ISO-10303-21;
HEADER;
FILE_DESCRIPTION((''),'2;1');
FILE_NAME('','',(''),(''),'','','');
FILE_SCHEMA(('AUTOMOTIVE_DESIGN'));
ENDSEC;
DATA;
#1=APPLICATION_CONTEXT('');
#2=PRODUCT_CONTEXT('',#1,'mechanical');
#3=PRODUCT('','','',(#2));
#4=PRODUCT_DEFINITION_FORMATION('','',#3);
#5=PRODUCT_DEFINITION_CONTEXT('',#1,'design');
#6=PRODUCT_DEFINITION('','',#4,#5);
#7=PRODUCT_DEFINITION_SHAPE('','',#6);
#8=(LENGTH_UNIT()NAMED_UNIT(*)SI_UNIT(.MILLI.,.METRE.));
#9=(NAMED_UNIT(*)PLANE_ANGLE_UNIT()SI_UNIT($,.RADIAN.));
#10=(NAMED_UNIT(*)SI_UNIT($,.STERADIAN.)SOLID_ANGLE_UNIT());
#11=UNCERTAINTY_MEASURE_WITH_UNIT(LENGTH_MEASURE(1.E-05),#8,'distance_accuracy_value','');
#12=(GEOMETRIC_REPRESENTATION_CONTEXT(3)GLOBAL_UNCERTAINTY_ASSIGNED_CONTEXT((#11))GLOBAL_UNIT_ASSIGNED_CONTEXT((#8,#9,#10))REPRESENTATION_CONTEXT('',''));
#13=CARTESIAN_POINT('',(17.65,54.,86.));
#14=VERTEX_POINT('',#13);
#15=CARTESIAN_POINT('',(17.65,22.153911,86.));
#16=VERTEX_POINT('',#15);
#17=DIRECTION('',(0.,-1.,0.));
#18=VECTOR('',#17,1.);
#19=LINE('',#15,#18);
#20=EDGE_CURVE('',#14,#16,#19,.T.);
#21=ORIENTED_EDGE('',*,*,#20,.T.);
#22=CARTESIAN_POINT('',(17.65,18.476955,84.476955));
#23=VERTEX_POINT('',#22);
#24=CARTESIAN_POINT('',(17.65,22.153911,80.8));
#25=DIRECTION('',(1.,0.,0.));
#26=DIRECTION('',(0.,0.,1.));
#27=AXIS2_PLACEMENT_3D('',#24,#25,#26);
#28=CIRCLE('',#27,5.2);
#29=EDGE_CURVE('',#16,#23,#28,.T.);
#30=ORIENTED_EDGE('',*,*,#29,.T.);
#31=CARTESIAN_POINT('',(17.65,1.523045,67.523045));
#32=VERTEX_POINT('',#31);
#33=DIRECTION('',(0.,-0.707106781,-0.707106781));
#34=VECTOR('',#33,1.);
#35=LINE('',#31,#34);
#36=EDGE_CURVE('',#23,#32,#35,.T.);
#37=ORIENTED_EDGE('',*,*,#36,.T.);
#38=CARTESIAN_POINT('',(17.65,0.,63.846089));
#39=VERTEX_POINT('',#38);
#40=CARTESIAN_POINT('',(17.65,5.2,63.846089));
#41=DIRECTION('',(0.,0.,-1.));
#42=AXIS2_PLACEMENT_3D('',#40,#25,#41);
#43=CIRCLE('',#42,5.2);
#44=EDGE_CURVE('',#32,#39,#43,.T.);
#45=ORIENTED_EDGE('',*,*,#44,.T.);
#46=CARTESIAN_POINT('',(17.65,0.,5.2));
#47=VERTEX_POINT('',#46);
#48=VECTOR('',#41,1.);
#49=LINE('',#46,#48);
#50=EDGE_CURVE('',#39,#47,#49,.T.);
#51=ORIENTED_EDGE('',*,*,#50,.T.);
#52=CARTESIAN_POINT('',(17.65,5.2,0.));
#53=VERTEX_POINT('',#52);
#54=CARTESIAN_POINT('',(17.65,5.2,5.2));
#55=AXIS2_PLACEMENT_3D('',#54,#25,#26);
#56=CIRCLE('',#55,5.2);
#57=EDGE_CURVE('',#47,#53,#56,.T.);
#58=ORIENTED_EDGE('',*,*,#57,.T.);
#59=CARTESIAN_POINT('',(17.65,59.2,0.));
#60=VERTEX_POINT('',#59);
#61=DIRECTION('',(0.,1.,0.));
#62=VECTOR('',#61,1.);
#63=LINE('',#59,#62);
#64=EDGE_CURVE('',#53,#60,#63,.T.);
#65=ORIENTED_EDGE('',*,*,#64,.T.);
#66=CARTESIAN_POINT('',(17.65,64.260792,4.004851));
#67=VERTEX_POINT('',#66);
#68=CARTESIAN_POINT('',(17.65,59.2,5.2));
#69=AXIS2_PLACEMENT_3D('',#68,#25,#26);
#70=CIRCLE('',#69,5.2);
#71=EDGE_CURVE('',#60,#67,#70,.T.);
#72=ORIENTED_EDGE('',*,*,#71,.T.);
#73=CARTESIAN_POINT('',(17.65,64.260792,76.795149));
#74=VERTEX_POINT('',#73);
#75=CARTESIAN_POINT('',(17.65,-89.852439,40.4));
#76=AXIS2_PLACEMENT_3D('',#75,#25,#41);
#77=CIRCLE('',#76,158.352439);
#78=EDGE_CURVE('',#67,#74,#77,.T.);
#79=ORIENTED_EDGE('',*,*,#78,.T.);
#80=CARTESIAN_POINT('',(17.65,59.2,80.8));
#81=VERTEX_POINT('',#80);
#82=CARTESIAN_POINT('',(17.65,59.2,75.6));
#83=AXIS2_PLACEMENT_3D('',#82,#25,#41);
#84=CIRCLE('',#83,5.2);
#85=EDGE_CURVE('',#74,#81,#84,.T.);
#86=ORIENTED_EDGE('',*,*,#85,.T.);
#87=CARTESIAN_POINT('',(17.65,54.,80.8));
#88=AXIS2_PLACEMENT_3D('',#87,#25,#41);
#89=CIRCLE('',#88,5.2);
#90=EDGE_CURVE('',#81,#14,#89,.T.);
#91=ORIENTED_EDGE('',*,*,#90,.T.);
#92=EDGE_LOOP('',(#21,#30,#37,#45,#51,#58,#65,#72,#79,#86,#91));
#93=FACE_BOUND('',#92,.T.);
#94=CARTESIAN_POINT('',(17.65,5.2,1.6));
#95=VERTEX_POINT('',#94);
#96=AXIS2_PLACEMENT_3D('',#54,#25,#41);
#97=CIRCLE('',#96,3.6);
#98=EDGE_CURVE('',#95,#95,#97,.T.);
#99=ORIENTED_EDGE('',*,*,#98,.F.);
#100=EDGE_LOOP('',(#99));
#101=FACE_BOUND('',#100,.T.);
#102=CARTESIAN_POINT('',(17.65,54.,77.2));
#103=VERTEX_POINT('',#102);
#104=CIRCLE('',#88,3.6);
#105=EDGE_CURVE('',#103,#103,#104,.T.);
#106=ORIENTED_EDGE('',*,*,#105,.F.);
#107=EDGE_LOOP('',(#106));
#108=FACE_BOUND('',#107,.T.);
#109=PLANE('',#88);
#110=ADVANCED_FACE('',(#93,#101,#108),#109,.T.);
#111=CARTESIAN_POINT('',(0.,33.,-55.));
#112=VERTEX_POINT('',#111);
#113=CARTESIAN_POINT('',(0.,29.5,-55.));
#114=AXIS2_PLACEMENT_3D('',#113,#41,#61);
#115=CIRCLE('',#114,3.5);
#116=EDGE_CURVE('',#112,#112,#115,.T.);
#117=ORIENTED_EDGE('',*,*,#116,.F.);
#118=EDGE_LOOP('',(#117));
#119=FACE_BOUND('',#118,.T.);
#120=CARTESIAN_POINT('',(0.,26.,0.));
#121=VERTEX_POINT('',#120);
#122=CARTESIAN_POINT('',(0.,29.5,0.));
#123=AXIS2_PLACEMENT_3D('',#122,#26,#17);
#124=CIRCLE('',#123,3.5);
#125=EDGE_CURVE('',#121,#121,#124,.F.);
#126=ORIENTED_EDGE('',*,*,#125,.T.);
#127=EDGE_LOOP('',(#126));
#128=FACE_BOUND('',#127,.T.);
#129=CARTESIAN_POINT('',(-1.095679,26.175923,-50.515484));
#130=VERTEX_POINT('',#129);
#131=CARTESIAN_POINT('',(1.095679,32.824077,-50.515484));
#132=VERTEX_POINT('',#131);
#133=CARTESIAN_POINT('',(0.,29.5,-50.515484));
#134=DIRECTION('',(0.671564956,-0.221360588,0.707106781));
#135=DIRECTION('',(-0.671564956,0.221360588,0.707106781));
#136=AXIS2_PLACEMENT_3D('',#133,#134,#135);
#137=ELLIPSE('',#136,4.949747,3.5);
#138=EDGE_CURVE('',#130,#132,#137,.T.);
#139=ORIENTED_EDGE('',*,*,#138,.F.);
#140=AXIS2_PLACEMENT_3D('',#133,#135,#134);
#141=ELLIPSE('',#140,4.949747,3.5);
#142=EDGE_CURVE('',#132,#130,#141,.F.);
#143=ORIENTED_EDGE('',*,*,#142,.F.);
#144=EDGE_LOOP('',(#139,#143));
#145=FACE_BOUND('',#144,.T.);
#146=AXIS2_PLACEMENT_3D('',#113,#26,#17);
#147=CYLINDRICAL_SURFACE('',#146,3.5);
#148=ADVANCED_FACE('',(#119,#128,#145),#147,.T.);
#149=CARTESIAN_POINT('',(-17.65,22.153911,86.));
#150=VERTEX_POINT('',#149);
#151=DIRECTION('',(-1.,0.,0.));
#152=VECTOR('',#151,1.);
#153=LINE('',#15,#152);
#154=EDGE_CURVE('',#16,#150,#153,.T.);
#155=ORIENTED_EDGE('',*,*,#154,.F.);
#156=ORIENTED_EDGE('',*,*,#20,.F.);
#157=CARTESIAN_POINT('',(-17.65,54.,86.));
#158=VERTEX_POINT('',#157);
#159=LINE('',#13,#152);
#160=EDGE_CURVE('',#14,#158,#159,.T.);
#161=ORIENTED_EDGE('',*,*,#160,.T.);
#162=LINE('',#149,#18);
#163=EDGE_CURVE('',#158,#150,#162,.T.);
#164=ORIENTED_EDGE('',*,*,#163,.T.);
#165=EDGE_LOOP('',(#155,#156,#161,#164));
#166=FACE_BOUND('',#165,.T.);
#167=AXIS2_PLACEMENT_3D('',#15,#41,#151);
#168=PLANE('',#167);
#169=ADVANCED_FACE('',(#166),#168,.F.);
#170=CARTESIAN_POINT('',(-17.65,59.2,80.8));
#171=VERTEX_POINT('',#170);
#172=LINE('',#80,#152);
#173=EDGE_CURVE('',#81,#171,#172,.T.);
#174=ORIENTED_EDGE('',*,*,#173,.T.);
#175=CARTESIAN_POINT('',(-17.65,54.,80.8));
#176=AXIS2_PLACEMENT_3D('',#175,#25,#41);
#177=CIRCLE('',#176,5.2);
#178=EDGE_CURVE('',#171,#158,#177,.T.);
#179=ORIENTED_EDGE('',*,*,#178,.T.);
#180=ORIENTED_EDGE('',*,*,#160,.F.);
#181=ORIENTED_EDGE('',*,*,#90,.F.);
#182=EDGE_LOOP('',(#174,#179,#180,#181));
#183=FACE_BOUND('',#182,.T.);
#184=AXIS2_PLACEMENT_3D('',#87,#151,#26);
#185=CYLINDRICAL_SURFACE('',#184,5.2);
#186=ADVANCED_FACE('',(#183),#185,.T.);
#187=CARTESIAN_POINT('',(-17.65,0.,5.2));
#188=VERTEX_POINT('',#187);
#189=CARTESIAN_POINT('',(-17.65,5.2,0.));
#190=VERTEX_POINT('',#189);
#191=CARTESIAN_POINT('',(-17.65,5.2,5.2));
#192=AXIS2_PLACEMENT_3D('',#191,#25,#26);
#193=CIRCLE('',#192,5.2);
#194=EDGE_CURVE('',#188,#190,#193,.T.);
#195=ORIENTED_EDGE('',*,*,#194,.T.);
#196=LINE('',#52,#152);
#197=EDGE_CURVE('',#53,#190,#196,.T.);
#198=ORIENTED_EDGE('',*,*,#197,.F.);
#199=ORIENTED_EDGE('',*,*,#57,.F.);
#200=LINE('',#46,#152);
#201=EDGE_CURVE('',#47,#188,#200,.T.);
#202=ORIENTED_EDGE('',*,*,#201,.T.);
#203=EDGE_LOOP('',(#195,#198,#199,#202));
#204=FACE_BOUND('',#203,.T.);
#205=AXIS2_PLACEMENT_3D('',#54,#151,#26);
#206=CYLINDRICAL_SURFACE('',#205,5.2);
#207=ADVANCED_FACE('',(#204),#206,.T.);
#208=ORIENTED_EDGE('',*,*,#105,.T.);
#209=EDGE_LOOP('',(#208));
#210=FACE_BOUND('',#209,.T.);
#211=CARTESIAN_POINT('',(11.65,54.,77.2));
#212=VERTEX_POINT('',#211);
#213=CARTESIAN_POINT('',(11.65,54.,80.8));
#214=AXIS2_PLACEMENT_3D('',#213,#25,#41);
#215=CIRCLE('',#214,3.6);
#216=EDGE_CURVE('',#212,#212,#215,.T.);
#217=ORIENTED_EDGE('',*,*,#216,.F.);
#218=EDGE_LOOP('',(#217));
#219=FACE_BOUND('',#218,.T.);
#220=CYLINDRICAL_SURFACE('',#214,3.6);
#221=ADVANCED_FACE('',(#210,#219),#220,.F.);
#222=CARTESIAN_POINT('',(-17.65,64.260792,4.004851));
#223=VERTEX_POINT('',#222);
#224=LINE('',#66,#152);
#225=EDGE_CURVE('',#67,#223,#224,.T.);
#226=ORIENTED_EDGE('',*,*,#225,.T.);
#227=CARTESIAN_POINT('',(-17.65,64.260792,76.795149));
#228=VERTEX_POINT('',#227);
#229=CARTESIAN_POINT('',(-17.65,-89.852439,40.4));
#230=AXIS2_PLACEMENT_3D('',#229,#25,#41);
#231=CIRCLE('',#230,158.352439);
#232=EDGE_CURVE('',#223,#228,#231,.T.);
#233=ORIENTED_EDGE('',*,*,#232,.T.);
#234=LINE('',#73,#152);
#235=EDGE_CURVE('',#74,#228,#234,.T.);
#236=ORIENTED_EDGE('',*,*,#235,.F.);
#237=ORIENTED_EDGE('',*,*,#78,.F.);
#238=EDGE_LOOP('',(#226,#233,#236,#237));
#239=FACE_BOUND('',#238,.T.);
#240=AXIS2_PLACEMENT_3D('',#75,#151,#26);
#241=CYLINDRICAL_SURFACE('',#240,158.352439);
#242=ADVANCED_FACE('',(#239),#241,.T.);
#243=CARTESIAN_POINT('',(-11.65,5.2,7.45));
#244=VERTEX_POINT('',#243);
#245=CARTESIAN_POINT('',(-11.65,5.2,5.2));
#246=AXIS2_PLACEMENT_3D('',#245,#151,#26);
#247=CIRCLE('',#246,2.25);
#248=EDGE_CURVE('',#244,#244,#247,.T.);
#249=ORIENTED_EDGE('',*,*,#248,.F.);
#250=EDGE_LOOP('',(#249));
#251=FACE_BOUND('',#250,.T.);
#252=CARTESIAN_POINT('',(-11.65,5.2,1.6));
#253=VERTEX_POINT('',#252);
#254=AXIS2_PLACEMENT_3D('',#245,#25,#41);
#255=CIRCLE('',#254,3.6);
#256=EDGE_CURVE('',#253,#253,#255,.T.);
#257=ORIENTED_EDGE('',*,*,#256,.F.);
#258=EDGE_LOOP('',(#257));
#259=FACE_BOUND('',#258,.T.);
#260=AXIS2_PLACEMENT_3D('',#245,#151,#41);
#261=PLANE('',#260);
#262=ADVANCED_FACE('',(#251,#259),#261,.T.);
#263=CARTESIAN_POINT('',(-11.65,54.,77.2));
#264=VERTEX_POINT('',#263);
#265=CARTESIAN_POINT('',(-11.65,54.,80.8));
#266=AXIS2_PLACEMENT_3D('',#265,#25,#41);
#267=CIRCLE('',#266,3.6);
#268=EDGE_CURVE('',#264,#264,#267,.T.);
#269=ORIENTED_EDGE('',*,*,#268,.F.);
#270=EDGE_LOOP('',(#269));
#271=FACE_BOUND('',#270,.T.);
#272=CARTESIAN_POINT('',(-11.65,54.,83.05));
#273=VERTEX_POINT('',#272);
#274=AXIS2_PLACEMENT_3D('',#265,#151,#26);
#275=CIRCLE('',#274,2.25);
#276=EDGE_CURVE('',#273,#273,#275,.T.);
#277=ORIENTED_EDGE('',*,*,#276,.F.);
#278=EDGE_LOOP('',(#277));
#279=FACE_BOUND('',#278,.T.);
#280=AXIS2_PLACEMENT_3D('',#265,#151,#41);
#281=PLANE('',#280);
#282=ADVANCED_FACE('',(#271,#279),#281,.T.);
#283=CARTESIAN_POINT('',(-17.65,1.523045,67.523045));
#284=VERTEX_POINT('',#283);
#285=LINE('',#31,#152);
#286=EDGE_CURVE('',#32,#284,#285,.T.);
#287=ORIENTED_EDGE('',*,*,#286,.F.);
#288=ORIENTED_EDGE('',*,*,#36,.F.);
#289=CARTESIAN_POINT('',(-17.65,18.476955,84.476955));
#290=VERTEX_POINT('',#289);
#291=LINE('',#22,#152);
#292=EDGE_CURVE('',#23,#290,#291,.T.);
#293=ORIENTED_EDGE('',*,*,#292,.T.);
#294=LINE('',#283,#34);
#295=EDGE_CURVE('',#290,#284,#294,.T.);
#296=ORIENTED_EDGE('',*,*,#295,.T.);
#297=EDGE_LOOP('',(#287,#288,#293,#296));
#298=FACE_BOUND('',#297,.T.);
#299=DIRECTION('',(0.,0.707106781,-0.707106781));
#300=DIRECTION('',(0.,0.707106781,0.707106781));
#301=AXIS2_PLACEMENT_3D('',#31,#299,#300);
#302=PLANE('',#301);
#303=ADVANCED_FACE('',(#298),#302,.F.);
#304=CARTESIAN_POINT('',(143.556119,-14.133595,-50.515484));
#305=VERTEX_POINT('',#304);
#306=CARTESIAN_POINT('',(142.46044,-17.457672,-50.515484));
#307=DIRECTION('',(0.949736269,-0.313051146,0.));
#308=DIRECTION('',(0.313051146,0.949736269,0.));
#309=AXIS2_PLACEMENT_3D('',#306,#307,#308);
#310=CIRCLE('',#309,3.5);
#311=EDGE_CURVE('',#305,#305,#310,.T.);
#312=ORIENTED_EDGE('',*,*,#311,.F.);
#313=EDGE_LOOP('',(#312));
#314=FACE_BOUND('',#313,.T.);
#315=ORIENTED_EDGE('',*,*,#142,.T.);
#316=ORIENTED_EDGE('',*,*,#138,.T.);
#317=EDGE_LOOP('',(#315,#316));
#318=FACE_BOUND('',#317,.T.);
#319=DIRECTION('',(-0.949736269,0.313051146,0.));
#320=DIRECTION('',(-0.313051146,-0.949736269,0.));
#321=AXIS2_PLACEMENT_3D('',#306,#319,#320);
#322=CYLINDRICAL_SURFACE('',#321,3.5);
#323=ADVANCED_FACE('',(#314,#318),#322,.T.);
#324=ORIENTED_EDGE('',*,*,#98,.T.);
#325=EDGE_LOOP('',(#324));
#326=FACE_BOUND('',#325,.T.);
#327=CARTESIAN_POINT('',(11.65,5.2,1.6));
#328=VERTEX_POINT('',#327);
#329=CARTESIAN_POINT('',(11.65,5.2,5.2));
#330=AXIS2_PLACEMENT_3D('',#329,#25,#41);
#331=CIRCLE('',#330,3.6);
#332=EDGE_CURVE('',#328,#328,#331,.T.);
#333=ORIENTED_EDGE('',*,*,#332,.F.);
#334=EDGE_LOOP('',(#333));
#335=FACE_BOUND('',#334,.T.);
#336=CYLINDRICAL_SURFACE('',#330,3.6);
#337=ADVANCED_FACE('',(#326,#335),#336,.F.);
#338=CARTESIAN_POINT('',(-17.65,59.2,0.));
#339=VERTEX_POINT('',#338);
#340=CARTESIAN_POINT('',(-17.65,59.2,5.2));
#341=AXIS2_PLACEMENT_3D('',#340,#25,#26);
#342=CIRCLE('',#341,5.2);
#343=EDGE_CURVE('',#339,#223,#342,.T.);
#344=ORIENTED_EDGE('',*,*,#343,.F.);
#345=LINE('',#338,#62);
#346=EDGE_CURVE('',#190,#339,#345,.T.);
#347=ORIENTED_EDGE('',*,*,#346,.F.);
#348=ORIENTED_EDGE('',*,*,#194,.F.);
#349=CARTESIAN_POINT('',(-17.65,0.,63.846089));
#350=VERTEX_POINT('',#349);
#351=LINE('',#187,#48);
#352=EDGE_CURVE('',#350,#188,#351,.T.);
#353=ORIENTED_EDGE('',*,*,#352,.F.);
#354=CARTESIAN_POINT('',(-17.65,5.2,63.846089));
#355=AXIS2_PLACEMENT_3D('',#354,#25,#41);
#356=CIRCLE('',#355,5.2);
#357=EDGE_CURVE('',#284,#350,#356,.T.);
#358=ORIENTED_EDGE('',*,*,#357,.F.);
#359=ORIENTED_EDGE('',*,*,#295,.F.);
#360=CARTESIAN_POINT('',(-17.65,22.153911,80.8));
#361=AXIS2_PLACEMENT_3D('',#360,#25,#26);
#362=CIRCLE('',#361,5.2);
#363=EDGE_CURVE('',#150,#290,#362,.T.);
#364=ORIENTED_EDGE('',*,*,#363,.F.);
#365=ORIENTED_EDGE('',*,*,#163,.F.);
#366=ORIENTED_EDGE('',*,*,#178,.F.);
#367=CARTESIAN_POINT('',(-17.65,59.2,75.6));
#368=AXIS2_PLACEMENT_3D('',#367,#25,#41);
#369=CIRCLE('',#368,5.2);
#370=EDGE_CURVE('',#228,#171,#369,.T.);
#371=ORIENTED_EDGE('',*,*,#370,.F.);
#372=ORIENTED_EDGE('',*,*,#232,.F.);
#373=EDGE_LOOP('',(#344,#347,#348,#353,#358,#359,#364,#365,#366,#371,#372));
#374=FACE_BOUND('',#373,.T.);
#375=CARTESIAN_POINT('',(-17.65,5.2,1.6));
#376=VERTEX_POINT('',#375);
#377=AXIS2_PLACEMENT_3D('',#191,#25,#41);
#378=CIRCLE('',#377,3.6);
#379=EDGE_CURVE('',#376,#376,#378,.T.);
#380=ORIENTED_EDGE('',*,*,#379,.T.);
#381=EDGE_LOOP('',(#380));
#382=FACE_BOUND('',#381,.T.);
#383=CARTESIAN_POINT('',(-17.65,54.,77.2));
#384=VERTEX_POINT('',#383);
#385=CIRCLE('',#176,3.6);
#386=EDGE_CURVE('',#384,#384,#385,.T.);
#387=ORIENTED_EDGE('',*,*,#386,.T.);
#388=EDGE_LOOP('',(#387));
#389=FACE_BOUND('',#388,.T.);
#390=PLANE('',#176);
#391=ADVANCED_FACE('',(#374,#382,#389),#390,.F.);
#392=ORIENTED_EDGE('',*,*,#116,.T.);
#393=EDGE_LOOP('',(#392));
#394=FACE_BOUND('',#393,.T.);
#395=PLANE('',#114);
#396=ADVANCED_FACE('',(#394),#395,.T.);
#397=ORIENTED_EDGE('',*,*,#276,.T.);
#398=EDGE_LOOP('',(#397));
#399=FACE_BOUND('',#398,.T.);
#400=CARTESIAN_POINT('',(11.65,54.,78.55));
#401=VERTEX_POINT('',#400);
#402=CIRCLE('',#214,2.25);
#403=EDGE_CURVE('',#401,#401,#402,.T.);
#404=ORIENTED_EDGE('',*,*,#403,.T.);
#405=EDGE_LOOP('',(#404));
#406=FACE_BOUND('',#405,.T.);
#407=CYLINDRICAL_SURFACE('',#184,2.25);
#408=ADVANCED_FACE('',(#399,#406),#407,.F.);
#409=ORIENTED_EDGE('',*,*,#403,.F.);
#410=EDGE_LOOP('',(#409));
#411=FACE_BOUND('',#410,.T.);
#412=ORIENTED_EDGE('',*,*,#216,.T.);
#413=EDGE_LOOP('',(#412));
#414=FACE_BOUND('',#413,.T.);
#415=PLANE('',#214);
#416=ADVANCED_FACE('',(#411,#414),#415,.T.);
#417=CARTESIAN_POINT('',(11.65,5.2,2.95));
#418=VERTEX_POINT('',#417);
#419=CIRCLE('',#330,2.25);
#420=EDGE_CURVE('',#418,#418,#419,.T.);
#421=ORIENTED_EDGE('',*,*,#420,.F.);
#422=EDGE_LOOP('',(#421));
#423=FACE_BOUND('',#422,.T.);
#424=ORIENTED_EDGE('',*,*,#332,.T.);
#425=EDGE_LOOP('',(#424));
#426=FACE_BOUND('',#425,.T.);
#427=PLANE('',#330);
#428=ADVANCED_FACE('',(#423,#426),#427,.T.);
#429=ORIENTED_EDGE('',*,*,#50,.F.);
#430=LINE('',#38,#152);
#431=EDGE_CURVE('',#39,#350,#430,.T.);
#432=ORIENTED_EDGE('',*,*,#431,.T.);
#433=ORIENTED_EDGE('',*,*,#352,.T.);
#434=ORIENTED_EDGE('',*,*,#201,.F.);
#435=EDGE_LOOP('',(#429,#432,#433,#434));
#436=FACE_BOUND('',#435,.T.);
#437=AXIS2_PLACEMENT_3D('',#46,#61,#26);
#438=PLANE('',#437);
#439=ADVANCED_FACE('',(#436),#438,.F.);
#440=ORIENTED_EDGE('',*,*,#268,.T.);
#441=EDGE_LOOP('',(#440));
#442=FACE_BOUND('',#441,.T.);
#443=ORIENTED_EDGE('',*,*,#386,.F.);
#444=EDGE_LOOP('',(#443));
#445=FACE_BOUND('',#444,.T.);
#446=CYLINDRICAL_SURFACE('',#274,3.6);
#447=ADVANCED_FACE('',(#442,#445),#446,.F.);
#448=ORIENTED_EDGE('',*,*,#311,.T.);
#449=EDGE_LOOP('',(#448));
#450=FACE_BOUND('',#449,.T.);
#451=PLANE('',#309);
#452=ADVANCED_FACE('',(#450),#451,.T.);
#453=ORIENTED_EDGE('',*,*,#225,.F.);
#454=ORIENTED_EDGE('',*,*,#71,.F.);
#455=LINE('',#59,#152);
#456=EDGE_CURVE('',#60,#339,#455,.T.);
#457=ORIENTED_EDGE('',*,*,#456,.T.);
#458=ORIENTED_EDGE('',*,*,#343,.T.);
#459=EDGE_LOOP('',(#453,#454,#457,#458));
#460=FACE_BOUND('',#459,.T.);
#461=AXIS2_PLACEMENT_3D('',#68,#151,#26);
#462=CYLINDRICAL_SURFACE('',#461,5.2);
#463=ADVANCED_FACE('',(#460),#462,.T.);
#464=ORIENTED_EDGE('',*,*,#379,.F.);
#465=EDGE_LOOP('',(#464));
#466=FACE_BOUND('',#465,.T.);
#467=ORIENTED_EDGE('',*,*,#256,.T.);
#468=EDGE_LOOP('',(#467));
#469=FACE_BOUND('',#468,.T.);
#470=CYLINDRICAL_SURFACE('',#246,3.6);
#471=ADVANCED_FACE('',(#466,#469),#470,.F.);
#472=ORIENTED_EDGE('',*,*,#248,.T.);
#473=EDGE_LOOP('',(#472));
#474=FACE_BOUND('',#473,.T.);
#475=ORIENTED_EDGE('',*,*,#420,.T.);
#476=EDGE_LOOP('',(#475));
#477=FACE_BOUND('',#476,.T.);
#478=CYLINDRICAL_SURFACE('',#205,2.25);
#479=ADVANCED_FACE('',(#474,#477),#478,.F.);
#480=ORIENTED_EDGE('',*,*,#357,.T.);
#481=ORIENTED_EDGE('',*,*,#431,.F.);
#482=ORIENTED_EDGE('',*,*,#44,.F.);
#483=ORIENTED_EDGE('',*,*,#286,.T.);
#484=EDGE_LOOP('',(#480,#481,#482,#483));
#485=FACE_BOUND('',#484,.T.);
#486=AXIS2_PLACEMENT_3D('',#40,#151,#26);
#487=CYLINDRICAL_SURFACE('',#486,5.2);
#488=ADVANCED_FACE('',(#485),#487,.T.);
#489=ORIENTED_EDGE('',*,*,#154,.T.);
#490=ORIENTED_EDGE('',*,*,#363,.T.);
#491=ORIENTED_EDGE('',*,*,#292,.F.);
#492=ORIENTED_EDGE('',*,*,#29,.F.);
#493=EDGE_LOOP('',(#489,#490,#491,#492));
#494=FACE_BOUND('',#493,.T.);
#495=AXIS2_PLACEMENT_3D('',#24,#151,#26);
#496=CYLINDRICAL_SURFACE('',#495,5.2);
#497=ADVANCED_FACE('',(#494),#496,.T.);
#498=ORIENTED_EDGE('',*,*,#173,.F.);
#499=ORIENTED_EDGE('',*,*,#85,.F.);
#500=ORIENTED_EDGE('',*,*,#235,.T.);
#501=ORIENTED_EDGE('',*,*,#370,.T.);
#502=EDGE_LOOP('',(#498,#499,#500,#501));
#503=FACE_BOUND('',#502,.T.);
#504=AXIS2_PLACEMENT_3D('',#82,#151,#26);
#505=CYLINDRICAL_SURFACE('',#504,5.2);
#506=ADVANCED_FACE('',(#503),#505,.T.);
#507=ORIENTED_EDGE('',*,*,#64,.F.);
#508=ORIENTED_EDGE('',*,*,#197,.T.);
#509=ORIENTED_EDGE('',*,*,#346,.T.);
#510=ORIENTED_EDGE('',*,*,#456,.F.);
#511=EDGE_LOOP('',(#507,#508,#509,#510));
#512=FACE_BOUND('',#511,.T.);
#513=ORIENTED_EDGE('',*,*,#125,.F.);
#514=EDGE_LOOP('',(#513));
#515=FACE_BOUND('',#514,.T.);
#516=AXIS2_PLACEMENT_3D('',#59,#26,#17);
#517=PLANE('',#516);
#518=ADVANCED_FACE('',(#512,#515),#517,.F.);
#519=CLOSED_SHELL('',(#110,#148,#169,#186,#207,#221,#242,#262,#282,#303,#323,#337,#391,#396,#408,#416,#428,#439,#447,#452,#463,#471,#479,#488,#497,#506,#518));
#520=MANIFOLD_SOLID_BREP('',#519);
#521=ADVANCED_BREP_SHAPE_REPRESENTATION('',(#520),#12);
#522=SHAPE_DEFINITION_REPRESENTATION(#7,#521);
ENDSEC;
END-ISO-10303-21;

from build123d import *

# Parameters (mm, degrees)
ESQUISSE2_R      = 2.25
EXTRUSION1_DEPTH = 17.65
ESQUISSE3_R      = 3.6
EXTRUSION2_DEPTH = 6
ESQUISSE4_R      = 3.5
EXTRUSION3_DEPTH = 55
ESQUISSE6_R      = 3.5
EXTRUSION4_DEPTH = 150


with BuildPart() as part:
    # Esquisse2 → Extrusion1 (new, symmetric)
    with BuildSketch(Plane(origin=(0, 0, 0), x_dir=(0, 0, -1), z_dir=(1, 0, 0))):
        with BuildLine():
            Line((-67.523044738, 1.523044738), (-84.476955262, 18.476955262))
            ThreePointArc((-84.476955262, 18.476955262), (-85.604173569, 20.163956676), (-86, 22.153910524))
            Line((-86, 22.153910524), (-86, 54))
            ThreePointArc((-86, 54), (-84.476955262, 57.676955262), (-80.8, 59.2))
            ThreePointArc((-80.8, 59.2), (-79.677669391, 62.426857966), (-76.795149102, 64.260792292))
            ThreePointArc((-76.795149102, 64.260792292), (-40.4, 68.5), (-4.004850898, 64.260792292))
            ThreePointArc((-4.004850898, 64.260792292), (-1.122330609, 62.426857966), (0, 59.2))
            Line((0, 59.2), (0, 5.2))
            ThreePointArc((0, 5.2), (-1.523044738, 1.523044738), (-5.2, 0))
            Line((-5.2, 0), (-63.846089476, 0))
            ThreePointArc((-63.846089476, 0), (-65.836043324, 0.395826431), (-67.523044738, 1.523044738))
        make_face()
        with Locations((-80.8, 54)):
            Circle(ESQUISSE2_R, mode=Mode.SUBTRACT)
        with Locations((-5.2, 5.2)):
            Circle(ESQUISSE2_R, mode=Mode.SUBTRACT)
    extrude(amount=EXTRUSION1_DEPTH, both=True)

    # Esquisse3 → Extrusion2 (cut)
    with BuildSketch(Plane(origin=(17.65, 0, 0), x_dir=(0, 0, -1), z_dir=(1, 0, 0))):
        with Locations((-80.8, 54)):
            Circle(ESQUISSE3_R)
        with Locations((-5.2, 5.2)):
            Circle(ESQUISSE3_R)
    extrusion2 = extrude(amount=-EXTRUSION2_DEPTH, mode=Mode.SUBTRACT)

    # Symétrie1: Extrusion2 across plane
    add(extrusion2.mirror(Plane(origin=(0, 0, 0), x_dir=(0, 0, 1), z_dir=(1, 0, 0))), mode=Mode.SUBTRACT)

    # Esquisse4 → Extrusion3 (add)
    with BuildSketch(Plane(origin=(0, 0, 0), x_dir=(-1, 0, 0), z_dir=(0, 0, -1))):
        with Locations(Location((0, 29.5, 0), (0, 0, 270))):
            Circle(ESQUISSE4_R)
    extrude(amount=EXTRUSION3_DEPTH)

    # Esquisse6 → Extrusion4 (add)
    with BuildSketch(Plane(origin=(-8.7708228, 2.891030086, 0), x_dir=(0, 0, -1), z_dir=(0.9497362687231024, -0.3130511457764037, 0))):
        with Locations(Location((50.51548438, 28.017219927, 0), (0, 0, 90))):
            Circle(ESQUISSE6_R)
    extrude(amount=EXTRUSION4_DEPTH)


solid = part.part
